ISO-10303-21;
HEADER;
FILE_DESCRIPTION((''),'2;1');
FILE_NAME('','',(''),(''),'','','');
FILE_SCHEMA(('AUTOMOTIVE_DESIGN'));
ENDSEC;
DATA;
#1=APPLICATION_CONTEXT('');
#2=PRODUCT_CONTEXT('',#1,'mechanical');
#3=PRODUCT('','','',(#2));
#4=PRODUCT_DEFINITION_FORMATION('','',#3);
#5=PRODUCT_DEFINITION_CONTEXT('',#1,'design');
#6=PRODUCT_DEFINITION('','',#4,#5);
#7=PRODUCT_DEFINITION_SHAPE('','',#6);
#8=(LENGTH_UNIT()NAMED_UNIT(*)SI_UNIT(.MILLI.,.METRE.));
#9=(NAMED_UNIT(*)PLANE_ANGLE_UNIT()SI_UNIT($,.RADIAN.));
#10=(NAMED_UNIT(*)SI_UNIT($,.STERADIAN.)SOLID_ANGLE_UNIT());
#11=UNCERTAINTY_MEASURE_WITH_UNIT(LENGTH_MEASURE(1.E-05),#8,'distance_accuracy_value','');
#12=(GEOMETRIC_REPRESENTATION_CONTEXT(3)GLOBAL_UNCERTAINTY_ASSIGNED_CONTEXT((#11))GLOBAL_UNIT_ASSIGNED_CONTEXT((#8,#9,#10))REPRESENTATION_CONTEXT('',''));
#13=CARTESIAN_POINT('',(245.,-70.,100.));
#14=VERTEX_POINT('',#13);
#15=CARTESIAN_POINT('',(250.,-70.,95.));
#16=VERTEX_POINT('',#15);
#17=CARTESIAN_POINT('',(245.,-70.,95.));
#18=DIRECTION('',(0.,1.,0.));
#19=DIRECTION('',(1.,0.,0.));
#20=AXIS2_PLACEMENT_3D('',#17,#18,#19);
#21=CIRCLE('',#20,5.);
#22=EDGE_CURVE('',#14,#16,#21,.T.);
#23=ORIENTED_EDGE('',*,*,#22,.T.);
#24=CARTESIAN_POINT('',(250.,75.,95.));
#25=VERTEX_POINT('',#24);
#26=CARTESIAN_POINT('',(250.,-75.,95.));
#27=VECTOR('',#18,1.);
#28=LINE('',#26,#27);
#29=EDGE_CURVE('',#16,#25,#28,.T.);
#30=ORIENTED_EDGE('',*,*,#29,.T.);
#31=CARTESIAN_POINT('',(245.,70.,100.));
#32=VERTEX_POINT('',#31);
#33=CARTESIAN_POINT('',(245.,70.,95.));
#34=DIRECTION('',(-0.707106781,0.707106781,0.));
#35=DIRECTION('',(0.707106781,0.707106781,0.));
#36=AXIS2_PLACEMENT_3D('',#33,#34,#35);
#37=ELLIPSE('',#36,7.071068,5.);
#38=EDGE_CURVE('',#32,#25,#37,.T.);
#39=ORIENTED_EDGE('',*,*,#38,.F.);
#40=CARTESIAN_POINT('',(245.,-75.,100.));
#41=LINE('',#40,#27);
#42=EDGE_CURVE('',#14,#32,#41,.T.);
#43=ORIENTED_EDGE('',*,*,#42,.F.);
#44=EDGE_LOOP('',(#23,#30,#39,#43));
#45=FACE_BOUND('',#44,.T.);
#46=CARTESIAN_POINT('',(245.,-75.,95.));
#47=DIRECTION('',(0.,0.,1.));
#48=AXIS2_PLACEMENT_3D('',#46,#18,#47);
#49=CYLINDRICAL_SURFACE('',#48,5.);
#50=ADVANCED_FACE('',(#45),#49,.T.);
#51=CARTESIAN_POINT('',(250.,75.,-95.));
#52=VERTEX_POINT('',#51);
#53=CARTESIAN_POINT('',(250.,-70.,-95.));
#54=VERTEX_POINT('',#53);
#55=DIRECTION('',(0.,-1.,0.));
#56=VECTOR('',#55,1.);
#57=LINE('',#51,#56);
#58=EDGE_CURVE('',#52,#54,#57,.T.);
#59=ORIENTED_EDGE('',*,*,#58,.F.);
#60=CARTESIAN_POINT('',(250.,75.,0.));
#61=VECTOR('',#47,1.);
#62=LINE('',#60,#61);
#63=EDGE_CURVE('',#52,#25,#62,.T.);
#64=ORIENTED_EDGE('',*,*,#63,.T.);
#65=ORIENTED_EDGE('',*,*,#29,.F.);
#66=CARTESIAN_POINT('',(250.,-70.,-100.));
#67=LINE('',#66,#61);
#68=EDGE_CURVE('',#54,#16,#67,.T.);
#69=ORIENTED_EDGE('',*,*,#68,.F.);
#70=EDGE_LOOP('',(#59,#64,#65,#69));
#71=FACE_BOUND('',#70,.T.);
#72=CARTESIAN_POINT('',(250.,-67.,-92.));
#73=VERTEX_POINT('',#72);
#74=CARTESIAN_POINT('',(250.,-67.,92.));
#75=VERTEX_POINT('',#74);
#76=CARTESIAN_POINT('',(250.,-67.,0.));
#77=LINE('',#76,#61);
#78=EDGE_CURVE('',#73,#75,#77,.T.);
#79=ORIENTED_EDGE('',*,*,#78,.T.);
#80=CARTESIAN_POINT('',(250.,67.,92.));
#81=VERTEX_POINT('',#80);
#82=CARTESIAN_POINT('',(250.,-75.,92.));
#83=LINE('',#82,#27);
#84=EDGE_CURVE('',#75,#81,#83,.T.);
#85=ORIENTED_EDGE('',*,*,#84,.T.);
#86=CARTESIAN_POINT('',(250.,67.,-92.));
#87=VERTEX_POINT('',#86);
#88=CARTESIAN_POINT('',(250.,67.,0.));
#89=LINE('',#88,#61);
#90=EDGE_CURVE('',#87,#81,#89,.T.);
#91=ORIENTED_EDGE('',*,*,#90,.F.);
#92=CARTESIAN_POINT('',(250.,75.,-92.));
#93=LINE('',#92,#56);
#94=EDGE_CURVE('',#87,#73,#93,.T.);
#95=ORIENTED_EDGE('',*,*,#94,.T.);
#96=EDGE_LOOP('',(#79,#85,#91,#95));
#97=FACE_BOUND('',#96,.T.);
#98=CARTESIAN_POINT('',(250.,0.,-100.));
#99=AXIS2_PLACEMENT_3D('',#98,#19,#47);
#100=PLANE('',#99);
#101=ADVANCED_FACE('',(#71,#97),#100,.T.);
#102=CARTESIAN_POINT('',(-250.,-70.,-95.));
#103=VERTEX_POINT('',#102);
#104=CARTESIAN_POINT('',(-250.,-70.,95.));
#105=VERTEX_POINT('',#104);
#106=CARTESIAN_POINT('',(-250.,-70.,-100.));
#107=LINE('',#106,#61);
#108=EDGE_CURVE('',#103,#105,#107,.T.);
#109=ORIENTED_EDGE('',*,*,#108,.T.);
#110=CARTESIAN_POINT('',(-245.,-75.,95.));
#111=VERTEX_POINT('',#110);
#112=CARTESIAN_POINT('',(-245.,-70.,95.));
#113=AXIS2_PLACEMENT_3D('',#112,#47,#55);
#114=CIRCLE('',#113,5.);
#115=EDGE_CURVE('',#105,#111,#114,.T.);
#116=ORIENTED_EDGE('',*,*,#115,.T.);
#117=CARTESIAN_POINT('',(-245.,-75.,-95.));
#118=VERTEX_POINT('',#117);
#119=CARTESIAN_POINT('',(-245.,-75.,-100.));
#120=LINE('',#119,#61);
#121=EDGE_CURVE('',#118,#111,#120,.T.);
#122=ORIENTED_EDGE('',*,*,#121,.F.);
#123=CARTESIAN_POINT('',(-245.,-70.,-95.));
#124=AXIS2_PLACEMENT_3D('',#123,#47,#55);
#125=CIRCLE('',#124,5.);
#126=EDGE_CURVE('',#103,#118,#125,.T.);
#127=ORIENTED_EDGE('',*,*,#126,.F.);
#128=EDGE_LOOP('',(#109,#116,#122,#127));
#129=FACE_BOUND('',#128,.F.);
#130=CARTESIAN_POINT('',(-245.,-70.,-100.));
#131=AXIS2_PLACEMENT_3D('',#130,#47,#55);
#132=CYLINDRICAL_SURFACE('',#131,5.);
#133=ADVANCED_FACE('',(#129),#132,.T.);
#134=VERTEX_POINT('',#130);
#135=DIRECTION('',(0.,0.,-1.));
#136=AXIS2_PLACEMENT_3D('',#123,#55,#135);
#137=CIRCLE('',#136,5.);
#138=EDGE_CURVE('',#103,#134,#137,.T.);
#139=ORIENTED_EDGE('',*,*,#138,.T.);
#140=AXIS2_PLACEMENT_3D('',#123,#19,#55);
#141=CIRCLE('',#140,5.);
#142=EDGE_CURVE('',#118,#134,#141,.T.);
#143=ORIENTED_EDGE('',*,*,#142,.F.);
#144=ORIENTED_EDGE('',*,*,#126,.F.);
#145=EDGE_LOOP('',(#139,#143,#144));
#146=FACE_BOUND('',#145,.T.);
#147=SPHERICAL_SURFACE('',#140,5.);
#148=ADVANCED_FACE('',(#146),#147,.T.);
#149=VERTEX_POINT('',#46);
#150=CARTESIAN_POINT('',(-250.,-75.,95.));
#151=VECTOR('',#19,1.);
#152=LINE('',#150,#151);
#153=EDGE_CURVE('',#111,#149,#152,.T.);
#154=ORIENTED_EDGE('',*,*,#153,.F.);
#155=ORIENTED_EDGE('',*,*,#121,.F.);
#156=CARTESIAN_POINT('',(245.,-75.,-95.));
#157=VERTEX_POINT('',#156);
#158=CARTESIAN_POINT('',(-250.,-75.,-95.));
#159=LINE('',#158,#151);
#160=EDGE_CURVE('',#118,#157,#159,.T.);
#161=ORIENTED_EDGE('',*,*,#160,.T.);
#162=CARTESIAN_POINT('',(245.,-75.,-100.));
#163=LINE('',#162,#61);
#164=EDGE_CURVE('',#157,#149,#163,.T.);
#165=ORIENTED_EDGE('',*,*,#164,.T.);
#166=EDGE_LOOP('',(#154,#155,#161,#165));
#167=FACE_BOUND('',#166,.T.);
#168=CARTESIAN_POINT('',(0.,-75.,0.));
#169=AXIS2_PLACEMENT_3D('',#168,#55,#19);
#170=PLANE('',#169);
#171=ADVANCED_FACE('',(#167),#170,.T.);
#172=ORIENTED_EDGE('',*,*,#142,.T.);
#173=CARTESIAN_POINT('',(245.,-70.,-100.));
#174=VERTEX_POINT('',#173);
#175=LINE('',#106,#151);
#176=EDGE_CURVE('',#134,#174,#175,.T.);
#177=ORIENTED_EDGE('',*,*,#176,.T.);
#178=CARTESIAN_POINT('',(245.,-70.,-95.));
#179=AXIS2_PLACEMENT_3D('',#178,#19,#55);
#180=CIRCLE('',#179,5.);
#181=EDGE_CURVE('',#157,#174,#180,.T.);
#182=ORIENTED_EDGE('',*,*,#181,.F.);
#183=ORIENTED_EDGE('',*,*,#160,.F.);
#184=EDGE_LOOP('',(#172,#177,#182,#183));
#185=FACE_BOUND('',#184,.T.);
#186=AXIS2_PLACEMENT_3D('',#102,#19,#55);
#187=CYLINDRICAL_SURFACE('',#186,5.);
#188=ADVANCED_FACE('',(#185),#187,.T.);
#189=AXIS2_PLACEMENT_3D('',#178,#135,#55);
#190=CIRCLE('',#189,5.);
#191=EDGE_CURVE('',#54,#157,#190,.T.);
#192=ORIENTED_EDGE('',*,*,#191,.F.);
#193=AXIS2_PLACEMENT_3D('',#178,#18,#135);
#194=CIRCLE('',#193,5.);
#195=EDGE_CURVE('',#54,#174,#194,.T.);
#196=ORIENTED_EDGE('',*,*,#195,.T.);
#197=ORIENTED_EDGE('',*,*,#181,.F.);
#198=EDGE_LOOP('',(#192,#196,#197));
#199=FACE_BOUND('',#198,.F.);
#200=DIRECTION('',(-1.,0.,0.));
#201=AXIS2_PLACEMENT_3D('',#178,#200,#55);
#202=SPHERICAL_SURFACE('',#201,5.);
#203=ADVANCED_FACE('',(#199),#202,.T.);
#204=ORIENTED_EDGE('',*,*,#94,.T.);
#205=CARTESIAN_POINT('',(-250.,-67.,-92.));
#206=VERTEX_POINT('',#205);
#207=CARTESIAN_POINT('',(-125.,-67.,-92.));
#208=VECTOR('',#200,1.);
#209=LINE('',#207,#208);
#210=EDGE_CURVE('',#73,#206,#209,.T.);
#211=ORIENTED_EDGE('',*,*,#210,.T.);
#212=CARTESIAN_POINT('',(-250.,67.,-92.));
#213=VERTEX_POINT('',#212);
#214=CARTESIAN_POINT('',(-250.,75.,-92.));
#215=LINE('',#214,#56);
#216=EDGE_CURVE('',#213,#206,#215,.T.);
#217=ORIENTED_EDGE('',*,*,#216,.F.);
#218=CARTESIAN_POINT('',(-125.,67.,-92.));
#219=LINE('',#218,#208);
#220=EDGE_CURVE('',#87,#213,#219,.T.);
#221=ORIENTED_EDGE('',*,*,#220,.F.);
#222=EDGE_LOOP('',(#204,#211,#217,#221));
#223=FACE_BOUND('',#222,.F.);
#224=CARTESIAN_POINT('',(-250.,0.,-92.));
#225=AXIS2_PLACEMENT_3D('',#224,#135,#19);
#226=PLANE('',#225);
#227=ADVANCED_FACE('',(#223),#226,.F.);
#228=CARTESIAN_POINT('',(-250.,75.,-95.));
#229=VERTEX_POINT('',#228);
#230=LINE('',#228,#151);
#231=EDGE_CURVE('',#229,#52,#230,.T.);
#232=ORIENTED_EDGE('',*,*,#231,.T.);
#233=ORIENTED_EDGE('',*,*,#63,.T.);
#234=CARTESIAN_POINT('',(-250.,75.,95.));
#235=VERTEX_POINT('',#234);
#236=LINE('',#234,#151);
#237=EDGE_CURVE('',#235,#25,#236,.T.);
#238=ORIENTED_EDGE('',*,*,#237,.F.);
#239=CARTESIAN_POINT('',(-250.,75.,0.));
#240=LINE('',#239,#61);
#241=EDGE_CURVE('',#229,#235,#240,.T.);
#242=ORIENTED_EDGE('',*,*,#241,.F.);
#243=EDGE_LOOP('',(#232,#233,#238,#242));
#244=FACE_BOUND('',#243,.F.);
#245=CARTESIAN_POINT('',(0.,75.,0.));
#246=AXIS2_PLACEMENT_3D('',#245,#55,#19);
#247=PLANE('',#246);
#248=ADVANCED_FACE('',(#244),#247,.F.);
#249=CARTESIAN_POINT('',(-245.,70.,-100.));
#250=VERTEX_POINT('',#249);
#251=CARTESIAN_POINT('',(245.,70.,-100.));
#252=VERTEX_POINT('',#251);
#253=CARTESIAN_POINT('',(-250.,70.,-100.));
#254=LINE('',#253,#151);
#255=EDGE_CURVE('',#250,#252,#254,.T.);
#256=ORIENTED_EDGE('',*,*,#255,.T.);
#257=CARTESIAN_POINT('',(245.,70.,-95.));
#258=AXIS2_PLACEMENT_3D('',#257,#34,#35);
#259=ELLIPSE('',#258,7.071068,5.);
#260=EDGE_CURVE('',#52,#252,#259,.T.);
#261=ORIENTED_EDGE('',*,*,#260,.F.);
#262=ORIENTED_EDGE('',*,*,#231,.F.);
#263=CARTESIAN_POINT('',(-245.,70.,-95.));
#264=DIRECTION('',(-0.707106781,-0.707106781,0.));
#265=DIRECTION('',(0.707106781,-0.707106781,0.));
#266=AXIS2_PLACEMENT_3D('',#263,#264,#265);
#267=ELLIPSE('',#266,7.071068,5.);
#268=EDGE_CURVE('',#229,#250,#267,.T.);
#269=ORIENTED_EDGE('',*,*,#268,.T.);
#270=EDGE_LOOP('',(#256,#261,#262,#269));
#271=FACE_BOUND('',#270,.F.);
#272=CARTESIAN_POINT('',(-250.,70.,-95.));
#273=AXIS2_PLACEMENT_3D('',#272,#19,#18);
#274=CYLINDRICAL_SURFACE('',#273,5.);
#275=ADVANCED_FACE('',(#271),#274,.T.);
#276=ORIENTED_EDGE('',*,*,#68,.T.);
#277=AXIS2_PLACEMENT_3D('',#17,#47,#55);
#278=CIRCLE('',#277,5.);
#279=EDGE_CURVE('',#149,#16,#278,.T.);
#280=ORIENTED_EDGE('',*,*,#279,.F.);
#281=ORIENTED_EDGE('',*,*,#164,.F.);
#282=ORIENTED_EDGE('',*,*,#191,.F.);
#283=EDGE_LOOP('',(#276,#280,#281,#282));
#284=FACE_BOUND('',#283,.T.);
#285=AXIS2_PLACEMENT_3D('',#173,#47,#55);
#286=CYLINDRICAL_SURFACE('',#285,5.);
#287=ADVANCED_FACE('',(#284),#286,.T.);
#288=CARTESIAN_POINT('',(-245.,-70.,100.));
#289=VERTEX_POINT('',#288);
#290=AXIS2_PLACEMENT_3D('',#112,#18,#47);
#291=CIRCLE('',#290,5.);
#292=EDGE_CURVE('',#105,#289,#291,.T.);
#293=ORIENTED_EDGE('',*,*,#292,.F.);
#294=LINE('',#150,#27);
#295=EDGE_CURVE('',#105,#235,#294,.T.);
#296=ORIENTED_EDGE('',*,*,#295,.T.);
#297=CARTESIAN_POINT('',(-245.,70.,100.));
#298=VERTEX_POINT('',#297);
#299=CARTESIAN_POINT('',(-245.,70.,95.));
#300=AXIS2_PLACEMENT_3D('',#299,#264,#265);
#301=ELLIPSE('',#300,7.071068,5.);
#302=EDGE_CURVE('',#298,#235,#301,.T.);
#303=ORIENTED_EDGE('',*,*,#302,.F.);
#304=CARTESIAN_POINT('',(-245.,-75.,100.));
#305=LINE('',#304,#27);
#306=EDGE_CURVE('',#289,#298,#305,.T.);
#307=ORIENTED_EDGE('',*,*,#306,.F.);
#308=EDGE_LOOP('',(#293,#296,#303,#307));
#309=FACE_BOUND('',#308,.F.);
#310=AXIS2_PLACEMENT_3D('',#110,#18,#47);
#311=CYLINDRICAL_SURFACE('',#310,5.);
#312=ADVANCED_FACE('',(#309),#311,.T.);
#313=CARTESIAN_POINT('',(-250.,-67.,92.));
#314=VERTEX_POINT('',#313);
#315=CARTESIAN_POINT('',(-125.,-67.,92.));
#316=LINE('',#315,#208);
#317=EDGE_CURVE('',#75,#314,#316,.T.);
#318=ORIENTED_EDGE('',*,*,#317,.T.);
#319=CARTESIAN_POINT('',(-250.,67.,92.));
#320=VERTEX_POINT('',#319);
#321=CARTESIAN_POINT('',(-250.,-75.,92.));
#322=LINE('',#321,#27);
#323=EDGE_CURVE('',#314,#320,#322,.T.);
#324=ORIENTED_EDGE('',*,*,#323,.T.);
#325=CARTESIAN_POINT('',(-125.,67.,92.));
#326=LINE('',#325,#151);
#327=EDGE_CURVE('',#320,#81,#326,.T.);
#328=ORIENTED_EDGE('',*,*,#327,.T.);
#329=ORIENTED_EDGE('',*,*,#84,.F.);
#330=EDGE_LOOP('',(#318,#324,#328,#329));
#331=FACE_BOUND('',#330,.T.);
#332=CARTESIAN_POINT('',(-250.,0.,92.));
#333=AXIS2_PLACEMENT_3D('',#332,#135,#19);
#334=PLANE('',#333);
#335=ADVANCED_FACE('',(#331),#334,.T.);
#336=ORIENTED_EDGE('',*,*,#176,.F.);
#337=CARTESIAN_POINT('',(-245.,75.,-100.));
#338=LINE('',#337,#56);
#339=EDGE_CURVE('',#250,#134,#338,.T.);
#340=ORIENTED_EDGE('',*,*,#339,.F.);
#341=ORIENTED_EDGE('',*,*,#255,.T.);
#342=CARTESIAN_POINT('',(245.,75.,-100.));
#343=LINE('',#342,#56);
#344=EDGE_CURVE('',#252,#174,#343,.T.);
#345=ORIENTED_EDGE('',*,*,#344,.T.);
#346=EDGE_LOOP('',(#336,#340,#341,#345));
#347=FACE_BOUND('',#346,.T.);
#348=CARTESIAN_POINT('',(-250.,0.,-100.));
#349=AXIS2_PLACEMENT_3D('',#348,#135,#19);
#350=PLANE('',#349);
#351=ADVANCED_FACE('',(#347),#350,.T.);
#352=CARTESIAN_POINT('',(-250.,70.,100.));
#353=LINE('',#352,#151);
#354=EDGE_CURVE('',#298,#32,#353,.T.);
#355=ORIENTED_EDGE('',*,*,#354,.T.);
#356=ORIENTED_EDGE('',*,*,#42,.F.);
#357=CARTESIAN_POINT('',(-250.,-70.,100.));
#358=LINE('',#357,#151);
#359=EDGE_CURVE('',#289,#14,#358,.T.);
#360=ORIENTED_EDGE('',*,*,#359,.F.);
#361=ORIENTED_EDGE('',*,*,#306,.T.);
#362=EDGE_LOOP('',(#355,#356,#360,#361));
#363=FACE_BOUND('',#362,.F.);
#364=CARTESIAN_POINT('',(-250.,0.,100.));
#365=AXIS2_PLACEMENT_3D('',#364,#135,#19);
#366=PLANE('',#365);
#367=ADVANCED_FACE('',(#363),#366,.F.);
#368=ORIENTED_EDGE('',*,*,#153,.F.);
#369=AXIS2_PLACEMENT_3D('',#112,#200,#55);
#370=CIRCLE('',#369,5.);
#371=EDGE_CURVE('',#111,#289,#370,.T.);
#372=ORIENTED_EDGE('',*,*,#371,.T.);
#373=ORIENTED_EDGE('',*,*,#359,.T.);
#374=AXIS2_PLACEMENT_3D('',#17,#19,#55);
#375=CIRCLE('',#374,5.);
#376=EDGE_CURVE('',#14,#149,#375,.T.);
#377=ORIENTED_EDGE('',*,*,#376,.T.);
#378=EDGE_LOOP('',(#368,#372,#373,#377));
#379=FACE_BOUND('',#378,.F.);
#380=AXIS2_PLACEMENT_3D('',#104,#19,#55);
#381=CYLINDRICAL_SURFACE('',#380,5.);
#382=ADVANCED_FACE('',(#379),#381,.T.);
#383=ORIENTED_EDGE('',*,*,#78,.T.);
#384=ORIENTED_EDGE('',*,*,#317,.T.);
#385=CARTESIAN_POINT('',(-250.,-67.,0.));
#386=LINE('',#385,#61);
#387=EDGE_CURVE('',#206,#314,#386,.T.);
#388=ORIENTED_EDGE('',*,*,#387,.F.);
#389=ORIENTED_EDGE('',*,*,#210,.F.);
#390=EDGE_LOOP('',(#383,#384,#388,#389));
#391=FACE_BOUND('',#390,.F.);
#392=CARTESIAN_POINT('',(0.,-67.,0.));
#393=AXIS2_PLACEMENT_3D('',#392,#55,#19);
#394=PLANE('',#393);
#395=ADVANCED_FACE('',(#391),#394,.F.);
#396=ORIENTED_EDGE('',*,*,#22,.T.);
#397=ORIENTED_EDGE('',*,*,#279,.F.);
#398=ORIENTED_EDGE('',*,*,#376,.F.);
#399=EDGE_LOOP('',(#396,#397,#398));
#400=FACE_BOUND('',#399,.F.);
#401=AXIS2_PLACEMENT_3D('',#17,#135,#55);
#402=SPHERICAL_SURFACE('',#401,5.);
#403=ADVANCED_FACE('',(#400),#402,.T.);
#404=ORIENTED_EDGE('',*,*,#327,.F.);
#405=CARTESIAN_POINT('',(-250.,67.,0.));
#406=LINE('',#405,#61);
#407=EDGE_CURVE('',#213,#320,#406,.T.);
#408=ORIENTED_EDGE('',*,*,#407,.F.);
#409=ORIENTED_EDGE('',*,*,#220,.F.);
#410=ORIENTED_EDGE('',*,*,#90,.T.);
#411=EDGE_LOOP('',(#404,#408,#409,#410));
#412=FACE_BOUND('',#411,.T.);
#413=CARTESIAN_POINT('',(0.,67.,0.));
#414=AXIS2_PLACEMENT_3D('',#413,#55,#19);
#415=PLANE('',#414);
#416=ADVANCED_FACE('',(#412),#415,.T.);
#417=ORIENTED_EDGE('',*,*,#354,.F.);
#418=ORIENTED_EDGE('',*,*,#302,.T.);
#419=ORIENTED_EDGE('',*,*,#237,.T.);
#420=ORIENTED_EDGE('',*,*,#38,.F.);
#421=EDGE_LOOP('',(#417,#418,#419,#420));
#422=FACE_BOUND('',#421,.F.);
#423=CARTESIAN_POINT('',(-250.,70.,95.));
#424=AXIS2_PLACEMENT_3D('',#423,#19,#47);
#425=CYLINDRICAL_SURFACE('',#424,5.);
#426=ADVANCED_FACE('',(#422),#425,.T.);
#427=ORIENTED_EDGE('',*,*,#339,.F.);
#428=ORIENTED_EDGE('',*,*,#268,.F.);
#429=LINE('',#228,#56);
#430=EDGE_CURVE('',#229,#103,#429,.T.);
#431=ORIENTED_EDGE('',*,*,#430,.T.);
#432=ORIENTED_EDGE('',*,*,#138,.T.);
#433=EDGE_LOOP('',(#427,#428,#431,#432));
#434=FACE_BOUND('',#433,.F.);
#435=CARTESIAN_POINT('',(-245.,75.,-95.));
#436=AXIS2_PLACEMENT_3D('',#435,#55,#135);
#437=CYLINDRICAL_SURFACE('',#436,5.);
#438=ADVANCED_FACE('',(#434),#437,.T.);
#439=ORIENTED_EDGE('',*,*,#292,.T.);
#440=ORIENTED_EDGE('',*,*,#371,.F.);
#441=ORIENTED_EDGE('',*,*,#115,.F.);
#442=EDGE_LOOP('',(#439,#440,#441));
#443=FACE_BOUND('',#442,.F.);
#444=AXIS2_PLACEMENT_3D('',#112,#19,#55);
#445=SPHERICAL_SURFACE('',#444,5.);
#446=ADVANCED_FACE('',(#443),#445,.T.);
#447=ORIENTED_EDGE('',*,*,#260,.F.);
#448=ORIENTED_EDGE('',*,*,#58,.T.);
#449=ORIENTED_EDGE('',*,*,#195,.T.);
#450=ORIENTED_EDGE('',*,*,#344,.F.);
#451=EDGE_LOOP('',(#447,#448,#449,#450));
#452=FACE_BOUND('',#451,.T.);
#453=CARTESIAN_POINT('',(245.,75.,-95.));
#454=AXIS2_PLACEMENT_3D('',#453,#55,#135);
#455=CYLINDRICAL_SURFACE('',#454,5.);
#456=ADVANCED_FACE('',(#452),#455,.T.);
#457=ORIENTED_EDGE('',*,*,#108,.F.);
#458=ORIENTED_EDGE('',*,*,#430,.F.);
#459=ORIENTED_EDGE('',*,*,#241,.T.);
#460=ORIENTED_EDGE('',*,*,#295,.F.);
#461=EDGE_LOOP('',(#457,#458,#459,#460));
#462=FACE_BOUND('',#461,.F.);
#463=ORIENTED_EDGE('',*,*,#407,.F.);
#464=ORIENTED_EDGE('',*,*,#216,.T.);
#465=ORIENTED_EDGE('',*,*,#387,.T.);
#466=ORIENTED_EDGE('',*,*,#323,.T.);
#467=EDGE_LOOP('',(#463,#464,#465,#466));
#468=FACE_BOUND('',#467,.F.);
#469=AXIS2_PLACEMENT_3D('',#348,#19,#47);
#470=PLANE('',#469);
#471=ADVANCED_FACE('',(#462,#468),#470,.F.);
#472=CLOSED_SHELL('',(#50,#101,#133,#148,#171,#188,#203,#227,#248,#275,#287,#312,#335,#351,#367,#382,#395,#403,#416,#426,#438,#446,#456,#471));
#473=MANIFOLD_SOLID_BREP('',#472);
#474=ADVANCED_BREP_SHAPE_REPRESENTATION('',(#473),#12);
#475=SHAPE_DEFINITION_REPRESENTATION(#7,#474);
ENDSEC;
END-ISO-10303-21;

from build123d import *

# Parameters (mm, degrees)
F0_W     = 500
F0_H     = 200
F0_R     = 14
F0_R_2   = 17
F0_R_3   = 26.5
F1_DEPTH = 75
F2_T     = -8
F3_R     = 5


with BuildPart() as f1:
    # F0 (on Front) → F1 (new body, symmetric)
    with BuildSketch(Plane.XZ):
        Rectangle(F0_W, F0_H)
        with Locations((-210, 0)):
            Circle(F0_R, mode=Mode.SUBTRACT)
        with Locations((-140, 0)):
            Circle(F0_R, mode=Mode.SUBTRACT)
        with Locations((-70, 0)):
            Circle(F0_R, mode=Mode.SUBTRACT)
        Circle(F0_R_2, mode=Mode.SUBTRACT)
        with Locations((80, 0)):
            Circle(F0_R_3, mode=Mode.SUBTRACT)
        with Locations((-210, 0)):
            Circle(F0_R)
        with Locations((-140, 0)):
            Circle(F0_R)
        with Locations((-70, 0)):
            Circle(F0_R)
        Circle(F0_R_2)
        with Locations((80, 0)):
            Circle(F0_R_3)
    extrude(amount=F1_DEPTH, both=True)

    # F2
    f2_openings = [f1.faces().sort_by_distance(p)[0] for p in [
        (250, 0, 0),
        (-250, 0, 0),
    ]]
    offset(amount=F2_T, openings=f2_openings)

    # F3
    f3_edges = [f1.edges().sort_by_distance(p)[0] for p in [
        (0, 75, 100),
        (0, -75, -100),
        (250, -75, 0),
        (0, -75, 100),
        (-250, -75, 0),
        (250, 0, 100),
        (-250, 0, 100),
        (0, 75, -100),
        (250, 0, -100),
        (-250, 0, -100),
    ]]
    fillet(f3_edges, radius=F3_R)


solid = f1.part
